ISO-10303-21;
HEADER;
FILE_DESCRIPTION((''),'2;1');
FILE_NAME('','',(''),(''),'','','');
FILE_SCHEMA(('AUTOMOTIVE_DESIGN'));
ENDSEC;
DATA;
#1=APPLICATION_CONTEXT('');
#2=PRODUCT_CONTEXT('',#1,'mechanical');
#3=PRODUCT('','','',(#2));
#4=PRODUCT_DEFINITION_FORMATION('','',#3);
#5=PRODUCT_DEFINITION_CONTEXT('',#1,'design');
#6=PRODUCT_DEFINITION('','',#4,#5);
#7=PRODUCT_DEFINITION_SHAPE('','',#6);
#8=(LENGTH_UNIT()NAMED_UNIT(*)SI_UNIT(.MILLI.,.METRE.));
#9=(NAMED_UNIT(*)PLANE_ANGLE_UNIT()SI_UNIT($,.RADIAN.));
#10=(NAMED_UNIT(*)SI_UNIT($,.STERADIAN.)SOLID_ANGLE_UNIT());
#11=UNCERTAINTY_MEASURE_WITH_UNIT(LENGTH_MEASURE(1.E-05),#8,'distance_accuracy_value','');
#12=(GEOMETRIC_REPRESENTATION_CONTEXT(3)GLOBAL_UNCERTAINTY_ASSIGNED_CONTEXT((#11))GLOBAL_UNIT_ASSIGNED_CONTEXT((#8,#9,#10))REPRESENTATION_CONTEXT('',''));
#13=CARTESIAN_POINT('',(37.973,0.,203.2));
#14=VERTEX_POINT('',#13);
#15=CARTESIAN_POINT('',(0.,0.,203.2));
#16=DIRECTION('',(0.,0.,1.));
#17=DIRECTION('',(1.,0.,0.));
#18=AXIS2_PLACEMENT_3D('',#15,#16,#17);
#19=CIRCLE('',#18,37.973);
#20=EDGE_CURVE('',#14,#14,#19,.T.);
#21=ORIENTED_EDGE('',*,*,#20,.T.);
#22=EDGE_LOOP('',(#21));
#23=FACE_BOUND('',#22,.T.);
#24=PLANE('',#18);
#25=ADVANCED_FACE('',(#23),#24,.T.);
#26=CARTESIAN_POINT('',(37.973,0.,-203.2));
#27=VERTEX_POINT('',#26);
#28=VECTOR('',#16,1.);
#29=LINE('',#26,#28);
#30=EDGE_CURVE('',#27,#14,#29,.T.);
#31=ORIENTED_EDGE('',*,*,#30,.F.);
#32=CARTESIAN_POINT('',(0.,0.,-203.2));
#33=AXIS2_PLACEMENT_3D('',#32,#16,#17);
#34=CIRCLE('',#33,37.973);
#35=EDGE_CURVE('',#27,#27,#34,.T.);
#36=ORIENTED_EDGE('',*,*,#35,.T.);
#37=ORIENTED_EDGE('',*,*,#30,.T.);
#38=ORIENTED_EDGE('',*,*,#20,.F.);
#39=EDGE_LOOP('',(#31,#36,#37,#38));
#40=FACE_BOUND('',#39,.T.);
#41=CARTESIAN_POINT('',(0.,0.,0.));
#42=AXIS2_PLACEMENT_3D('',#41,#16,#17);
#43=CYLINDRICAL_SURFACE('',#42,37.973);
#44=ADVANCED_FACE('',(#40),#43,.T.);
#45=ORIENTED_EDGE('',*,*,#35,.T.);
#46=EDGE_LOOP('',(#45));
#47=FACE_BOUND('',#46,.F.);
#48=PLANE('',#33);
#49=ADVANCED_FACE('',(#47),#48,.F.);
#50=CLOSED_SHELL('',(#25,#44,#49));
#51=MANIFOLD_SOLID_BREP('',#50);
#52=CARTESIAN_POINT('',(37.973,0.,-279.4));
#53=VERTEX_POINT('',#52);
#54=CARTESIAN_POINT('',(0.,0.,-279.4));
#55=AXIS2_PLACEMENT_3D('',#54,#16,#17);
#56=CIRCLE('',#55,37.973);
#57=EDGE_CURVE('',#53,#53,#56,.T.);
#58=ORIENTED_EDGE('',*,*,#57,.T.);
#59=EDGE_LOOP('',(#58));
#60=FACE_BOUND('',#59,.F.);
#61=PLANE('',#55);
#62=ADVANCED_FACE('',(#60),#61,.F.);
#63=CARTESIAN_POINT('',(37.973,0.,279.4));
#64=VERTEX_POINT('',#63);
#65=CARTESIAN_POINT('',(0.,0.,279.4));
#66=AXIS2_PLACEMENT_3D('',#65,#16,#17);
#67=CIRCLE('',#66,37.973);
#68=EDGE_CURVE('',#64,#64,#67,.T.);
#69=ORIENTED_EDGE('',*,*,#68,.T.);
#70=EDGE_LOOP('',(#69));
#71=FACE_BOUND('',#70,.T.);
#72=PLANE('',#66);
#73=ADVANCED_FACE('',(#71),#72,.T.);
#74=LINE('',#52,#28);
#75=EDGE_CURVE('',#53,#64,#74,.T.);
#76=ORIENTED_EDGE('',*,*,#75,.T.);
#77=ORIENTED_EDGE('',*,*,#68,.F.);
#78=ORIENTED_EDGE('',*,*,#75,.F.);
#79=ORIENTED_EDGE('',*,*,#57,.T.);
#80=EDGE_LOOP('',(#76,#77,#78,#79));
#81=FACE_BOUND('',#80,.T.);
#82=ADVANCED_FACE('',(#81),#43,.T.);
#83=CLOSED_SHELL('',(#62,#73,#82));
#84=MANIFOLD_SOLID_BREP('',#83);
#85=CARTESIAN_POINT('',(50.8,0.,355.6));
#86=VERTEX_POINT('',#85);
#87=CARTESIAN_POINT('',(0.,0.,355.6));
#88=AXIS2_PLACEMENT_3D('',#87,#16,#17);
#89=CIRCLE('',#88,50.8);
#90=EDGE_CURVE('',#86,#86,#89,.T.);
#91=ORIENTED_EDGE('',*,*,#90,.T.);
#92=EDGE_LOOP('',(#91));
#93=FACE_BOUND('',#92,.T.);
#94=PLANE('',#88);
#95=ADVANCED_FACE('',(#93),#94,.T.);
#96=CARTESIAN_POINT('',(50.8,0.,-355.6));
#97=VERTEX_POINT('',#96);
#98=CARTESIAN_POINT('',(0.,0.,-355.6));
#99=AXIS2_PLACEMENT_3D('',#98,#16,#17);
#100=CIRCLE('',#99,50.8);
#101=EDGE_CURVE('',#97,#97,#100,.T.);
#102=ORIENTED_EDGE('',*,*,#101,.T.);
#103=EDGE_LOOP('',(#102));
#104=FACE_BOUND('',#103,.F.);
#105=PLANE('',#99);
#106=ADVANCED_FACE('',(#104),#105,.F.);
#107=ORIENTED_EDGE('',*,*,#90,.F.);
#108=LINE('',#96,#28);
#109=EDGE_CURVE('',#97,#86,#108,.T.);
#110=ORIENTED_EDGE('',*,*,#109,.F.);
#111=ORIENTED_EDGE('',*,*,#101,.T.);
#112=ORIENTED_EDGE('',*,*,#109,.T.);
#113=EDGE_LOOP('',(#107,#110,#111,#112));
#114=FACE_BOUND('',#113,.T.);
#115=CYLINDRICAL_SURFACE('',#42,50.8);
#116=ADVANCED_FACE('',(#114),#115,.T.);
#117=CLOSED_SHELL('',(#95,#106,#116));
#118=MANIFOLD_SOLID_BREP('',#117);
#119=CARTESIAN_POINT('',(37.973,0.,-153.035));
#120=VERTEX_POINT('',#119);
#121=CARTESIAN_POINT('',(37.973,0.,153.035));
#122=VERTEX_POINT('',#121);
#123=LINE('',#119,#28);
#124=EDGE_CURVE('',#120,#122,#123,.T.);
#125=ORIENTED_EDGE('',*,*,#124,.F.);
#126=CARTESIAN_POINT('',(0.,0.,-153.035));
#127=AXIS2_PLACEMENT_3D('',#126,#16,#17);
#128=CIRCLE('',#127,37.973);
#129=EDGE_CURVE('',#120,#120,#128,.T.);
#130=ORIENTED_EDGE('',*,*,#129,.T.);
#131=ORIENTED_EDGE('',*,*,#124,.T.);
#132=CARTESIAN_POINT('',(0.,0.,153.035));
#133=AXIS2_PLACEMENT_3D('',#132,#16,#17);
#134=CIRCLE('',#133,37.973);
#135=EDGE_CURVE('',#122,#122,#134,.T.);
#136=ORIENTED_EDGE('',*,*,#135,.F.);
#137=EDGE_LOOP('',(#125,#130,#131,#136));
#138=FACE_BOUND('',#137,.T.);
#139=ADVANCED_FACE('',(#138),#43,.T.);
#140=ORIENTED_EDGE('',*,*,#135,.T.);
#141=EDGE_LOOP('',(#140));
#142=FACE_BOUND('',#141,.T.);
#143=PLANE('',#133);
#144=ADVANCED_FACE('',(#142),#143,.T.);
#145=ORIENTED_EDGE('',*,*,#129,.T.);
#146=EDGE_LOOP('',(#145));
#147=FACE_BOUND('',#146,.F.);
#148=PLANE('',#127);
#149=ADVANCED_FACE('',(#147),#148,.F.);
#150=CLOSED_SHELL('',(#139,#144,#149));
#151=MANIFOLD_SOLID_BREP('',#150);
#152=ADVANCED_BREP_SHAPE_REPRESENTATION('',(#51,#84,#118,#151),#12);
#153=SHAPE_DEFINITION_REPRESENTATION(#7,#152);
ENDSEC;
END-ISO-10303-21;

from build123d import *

# Parameters (mm, degrees)
F0_R     = 37.973
F1_DEPTH = 153.035
F2_DEPTH = 203.2
F3_DEPTH = 279.4
F4_R     = 50.8
F5_DEPTH = 355.6


with BuildPart() as f1:
    # F0 (on Top) → F1 (new body, symmetric)
    with BuildSketch(Plane.XY):
        Circle(F0_R)
    extrude(amount=F1_DEPTH, both=True)


with BuildPart() as f2:
    # F0 (on Top) → F2 (new body, symmetric)
    with BuildSketch(Plane.XY):
        Circle(F0_R)
    extrude(amount=F2_DEPTH, both=True)


with BuildPart() as f3:
    # F0 (on Top) → F3 (new body, symmetric)
    with BuildSketch(Plane.XY):
        Circle(F0_R)
    extrude(amount=F3_DEPTH, both=True)


with BuildPart() as f5:
    # F4 (on Top) → F5 (new body, symmetric)
    with BuildSketch(Plane.XY):
        Circle(F4_R)
    extrude(amount=F5_DEPTH, both=True)


solid = Compound([f1.part, f2.part, f3.part, f5.part])
